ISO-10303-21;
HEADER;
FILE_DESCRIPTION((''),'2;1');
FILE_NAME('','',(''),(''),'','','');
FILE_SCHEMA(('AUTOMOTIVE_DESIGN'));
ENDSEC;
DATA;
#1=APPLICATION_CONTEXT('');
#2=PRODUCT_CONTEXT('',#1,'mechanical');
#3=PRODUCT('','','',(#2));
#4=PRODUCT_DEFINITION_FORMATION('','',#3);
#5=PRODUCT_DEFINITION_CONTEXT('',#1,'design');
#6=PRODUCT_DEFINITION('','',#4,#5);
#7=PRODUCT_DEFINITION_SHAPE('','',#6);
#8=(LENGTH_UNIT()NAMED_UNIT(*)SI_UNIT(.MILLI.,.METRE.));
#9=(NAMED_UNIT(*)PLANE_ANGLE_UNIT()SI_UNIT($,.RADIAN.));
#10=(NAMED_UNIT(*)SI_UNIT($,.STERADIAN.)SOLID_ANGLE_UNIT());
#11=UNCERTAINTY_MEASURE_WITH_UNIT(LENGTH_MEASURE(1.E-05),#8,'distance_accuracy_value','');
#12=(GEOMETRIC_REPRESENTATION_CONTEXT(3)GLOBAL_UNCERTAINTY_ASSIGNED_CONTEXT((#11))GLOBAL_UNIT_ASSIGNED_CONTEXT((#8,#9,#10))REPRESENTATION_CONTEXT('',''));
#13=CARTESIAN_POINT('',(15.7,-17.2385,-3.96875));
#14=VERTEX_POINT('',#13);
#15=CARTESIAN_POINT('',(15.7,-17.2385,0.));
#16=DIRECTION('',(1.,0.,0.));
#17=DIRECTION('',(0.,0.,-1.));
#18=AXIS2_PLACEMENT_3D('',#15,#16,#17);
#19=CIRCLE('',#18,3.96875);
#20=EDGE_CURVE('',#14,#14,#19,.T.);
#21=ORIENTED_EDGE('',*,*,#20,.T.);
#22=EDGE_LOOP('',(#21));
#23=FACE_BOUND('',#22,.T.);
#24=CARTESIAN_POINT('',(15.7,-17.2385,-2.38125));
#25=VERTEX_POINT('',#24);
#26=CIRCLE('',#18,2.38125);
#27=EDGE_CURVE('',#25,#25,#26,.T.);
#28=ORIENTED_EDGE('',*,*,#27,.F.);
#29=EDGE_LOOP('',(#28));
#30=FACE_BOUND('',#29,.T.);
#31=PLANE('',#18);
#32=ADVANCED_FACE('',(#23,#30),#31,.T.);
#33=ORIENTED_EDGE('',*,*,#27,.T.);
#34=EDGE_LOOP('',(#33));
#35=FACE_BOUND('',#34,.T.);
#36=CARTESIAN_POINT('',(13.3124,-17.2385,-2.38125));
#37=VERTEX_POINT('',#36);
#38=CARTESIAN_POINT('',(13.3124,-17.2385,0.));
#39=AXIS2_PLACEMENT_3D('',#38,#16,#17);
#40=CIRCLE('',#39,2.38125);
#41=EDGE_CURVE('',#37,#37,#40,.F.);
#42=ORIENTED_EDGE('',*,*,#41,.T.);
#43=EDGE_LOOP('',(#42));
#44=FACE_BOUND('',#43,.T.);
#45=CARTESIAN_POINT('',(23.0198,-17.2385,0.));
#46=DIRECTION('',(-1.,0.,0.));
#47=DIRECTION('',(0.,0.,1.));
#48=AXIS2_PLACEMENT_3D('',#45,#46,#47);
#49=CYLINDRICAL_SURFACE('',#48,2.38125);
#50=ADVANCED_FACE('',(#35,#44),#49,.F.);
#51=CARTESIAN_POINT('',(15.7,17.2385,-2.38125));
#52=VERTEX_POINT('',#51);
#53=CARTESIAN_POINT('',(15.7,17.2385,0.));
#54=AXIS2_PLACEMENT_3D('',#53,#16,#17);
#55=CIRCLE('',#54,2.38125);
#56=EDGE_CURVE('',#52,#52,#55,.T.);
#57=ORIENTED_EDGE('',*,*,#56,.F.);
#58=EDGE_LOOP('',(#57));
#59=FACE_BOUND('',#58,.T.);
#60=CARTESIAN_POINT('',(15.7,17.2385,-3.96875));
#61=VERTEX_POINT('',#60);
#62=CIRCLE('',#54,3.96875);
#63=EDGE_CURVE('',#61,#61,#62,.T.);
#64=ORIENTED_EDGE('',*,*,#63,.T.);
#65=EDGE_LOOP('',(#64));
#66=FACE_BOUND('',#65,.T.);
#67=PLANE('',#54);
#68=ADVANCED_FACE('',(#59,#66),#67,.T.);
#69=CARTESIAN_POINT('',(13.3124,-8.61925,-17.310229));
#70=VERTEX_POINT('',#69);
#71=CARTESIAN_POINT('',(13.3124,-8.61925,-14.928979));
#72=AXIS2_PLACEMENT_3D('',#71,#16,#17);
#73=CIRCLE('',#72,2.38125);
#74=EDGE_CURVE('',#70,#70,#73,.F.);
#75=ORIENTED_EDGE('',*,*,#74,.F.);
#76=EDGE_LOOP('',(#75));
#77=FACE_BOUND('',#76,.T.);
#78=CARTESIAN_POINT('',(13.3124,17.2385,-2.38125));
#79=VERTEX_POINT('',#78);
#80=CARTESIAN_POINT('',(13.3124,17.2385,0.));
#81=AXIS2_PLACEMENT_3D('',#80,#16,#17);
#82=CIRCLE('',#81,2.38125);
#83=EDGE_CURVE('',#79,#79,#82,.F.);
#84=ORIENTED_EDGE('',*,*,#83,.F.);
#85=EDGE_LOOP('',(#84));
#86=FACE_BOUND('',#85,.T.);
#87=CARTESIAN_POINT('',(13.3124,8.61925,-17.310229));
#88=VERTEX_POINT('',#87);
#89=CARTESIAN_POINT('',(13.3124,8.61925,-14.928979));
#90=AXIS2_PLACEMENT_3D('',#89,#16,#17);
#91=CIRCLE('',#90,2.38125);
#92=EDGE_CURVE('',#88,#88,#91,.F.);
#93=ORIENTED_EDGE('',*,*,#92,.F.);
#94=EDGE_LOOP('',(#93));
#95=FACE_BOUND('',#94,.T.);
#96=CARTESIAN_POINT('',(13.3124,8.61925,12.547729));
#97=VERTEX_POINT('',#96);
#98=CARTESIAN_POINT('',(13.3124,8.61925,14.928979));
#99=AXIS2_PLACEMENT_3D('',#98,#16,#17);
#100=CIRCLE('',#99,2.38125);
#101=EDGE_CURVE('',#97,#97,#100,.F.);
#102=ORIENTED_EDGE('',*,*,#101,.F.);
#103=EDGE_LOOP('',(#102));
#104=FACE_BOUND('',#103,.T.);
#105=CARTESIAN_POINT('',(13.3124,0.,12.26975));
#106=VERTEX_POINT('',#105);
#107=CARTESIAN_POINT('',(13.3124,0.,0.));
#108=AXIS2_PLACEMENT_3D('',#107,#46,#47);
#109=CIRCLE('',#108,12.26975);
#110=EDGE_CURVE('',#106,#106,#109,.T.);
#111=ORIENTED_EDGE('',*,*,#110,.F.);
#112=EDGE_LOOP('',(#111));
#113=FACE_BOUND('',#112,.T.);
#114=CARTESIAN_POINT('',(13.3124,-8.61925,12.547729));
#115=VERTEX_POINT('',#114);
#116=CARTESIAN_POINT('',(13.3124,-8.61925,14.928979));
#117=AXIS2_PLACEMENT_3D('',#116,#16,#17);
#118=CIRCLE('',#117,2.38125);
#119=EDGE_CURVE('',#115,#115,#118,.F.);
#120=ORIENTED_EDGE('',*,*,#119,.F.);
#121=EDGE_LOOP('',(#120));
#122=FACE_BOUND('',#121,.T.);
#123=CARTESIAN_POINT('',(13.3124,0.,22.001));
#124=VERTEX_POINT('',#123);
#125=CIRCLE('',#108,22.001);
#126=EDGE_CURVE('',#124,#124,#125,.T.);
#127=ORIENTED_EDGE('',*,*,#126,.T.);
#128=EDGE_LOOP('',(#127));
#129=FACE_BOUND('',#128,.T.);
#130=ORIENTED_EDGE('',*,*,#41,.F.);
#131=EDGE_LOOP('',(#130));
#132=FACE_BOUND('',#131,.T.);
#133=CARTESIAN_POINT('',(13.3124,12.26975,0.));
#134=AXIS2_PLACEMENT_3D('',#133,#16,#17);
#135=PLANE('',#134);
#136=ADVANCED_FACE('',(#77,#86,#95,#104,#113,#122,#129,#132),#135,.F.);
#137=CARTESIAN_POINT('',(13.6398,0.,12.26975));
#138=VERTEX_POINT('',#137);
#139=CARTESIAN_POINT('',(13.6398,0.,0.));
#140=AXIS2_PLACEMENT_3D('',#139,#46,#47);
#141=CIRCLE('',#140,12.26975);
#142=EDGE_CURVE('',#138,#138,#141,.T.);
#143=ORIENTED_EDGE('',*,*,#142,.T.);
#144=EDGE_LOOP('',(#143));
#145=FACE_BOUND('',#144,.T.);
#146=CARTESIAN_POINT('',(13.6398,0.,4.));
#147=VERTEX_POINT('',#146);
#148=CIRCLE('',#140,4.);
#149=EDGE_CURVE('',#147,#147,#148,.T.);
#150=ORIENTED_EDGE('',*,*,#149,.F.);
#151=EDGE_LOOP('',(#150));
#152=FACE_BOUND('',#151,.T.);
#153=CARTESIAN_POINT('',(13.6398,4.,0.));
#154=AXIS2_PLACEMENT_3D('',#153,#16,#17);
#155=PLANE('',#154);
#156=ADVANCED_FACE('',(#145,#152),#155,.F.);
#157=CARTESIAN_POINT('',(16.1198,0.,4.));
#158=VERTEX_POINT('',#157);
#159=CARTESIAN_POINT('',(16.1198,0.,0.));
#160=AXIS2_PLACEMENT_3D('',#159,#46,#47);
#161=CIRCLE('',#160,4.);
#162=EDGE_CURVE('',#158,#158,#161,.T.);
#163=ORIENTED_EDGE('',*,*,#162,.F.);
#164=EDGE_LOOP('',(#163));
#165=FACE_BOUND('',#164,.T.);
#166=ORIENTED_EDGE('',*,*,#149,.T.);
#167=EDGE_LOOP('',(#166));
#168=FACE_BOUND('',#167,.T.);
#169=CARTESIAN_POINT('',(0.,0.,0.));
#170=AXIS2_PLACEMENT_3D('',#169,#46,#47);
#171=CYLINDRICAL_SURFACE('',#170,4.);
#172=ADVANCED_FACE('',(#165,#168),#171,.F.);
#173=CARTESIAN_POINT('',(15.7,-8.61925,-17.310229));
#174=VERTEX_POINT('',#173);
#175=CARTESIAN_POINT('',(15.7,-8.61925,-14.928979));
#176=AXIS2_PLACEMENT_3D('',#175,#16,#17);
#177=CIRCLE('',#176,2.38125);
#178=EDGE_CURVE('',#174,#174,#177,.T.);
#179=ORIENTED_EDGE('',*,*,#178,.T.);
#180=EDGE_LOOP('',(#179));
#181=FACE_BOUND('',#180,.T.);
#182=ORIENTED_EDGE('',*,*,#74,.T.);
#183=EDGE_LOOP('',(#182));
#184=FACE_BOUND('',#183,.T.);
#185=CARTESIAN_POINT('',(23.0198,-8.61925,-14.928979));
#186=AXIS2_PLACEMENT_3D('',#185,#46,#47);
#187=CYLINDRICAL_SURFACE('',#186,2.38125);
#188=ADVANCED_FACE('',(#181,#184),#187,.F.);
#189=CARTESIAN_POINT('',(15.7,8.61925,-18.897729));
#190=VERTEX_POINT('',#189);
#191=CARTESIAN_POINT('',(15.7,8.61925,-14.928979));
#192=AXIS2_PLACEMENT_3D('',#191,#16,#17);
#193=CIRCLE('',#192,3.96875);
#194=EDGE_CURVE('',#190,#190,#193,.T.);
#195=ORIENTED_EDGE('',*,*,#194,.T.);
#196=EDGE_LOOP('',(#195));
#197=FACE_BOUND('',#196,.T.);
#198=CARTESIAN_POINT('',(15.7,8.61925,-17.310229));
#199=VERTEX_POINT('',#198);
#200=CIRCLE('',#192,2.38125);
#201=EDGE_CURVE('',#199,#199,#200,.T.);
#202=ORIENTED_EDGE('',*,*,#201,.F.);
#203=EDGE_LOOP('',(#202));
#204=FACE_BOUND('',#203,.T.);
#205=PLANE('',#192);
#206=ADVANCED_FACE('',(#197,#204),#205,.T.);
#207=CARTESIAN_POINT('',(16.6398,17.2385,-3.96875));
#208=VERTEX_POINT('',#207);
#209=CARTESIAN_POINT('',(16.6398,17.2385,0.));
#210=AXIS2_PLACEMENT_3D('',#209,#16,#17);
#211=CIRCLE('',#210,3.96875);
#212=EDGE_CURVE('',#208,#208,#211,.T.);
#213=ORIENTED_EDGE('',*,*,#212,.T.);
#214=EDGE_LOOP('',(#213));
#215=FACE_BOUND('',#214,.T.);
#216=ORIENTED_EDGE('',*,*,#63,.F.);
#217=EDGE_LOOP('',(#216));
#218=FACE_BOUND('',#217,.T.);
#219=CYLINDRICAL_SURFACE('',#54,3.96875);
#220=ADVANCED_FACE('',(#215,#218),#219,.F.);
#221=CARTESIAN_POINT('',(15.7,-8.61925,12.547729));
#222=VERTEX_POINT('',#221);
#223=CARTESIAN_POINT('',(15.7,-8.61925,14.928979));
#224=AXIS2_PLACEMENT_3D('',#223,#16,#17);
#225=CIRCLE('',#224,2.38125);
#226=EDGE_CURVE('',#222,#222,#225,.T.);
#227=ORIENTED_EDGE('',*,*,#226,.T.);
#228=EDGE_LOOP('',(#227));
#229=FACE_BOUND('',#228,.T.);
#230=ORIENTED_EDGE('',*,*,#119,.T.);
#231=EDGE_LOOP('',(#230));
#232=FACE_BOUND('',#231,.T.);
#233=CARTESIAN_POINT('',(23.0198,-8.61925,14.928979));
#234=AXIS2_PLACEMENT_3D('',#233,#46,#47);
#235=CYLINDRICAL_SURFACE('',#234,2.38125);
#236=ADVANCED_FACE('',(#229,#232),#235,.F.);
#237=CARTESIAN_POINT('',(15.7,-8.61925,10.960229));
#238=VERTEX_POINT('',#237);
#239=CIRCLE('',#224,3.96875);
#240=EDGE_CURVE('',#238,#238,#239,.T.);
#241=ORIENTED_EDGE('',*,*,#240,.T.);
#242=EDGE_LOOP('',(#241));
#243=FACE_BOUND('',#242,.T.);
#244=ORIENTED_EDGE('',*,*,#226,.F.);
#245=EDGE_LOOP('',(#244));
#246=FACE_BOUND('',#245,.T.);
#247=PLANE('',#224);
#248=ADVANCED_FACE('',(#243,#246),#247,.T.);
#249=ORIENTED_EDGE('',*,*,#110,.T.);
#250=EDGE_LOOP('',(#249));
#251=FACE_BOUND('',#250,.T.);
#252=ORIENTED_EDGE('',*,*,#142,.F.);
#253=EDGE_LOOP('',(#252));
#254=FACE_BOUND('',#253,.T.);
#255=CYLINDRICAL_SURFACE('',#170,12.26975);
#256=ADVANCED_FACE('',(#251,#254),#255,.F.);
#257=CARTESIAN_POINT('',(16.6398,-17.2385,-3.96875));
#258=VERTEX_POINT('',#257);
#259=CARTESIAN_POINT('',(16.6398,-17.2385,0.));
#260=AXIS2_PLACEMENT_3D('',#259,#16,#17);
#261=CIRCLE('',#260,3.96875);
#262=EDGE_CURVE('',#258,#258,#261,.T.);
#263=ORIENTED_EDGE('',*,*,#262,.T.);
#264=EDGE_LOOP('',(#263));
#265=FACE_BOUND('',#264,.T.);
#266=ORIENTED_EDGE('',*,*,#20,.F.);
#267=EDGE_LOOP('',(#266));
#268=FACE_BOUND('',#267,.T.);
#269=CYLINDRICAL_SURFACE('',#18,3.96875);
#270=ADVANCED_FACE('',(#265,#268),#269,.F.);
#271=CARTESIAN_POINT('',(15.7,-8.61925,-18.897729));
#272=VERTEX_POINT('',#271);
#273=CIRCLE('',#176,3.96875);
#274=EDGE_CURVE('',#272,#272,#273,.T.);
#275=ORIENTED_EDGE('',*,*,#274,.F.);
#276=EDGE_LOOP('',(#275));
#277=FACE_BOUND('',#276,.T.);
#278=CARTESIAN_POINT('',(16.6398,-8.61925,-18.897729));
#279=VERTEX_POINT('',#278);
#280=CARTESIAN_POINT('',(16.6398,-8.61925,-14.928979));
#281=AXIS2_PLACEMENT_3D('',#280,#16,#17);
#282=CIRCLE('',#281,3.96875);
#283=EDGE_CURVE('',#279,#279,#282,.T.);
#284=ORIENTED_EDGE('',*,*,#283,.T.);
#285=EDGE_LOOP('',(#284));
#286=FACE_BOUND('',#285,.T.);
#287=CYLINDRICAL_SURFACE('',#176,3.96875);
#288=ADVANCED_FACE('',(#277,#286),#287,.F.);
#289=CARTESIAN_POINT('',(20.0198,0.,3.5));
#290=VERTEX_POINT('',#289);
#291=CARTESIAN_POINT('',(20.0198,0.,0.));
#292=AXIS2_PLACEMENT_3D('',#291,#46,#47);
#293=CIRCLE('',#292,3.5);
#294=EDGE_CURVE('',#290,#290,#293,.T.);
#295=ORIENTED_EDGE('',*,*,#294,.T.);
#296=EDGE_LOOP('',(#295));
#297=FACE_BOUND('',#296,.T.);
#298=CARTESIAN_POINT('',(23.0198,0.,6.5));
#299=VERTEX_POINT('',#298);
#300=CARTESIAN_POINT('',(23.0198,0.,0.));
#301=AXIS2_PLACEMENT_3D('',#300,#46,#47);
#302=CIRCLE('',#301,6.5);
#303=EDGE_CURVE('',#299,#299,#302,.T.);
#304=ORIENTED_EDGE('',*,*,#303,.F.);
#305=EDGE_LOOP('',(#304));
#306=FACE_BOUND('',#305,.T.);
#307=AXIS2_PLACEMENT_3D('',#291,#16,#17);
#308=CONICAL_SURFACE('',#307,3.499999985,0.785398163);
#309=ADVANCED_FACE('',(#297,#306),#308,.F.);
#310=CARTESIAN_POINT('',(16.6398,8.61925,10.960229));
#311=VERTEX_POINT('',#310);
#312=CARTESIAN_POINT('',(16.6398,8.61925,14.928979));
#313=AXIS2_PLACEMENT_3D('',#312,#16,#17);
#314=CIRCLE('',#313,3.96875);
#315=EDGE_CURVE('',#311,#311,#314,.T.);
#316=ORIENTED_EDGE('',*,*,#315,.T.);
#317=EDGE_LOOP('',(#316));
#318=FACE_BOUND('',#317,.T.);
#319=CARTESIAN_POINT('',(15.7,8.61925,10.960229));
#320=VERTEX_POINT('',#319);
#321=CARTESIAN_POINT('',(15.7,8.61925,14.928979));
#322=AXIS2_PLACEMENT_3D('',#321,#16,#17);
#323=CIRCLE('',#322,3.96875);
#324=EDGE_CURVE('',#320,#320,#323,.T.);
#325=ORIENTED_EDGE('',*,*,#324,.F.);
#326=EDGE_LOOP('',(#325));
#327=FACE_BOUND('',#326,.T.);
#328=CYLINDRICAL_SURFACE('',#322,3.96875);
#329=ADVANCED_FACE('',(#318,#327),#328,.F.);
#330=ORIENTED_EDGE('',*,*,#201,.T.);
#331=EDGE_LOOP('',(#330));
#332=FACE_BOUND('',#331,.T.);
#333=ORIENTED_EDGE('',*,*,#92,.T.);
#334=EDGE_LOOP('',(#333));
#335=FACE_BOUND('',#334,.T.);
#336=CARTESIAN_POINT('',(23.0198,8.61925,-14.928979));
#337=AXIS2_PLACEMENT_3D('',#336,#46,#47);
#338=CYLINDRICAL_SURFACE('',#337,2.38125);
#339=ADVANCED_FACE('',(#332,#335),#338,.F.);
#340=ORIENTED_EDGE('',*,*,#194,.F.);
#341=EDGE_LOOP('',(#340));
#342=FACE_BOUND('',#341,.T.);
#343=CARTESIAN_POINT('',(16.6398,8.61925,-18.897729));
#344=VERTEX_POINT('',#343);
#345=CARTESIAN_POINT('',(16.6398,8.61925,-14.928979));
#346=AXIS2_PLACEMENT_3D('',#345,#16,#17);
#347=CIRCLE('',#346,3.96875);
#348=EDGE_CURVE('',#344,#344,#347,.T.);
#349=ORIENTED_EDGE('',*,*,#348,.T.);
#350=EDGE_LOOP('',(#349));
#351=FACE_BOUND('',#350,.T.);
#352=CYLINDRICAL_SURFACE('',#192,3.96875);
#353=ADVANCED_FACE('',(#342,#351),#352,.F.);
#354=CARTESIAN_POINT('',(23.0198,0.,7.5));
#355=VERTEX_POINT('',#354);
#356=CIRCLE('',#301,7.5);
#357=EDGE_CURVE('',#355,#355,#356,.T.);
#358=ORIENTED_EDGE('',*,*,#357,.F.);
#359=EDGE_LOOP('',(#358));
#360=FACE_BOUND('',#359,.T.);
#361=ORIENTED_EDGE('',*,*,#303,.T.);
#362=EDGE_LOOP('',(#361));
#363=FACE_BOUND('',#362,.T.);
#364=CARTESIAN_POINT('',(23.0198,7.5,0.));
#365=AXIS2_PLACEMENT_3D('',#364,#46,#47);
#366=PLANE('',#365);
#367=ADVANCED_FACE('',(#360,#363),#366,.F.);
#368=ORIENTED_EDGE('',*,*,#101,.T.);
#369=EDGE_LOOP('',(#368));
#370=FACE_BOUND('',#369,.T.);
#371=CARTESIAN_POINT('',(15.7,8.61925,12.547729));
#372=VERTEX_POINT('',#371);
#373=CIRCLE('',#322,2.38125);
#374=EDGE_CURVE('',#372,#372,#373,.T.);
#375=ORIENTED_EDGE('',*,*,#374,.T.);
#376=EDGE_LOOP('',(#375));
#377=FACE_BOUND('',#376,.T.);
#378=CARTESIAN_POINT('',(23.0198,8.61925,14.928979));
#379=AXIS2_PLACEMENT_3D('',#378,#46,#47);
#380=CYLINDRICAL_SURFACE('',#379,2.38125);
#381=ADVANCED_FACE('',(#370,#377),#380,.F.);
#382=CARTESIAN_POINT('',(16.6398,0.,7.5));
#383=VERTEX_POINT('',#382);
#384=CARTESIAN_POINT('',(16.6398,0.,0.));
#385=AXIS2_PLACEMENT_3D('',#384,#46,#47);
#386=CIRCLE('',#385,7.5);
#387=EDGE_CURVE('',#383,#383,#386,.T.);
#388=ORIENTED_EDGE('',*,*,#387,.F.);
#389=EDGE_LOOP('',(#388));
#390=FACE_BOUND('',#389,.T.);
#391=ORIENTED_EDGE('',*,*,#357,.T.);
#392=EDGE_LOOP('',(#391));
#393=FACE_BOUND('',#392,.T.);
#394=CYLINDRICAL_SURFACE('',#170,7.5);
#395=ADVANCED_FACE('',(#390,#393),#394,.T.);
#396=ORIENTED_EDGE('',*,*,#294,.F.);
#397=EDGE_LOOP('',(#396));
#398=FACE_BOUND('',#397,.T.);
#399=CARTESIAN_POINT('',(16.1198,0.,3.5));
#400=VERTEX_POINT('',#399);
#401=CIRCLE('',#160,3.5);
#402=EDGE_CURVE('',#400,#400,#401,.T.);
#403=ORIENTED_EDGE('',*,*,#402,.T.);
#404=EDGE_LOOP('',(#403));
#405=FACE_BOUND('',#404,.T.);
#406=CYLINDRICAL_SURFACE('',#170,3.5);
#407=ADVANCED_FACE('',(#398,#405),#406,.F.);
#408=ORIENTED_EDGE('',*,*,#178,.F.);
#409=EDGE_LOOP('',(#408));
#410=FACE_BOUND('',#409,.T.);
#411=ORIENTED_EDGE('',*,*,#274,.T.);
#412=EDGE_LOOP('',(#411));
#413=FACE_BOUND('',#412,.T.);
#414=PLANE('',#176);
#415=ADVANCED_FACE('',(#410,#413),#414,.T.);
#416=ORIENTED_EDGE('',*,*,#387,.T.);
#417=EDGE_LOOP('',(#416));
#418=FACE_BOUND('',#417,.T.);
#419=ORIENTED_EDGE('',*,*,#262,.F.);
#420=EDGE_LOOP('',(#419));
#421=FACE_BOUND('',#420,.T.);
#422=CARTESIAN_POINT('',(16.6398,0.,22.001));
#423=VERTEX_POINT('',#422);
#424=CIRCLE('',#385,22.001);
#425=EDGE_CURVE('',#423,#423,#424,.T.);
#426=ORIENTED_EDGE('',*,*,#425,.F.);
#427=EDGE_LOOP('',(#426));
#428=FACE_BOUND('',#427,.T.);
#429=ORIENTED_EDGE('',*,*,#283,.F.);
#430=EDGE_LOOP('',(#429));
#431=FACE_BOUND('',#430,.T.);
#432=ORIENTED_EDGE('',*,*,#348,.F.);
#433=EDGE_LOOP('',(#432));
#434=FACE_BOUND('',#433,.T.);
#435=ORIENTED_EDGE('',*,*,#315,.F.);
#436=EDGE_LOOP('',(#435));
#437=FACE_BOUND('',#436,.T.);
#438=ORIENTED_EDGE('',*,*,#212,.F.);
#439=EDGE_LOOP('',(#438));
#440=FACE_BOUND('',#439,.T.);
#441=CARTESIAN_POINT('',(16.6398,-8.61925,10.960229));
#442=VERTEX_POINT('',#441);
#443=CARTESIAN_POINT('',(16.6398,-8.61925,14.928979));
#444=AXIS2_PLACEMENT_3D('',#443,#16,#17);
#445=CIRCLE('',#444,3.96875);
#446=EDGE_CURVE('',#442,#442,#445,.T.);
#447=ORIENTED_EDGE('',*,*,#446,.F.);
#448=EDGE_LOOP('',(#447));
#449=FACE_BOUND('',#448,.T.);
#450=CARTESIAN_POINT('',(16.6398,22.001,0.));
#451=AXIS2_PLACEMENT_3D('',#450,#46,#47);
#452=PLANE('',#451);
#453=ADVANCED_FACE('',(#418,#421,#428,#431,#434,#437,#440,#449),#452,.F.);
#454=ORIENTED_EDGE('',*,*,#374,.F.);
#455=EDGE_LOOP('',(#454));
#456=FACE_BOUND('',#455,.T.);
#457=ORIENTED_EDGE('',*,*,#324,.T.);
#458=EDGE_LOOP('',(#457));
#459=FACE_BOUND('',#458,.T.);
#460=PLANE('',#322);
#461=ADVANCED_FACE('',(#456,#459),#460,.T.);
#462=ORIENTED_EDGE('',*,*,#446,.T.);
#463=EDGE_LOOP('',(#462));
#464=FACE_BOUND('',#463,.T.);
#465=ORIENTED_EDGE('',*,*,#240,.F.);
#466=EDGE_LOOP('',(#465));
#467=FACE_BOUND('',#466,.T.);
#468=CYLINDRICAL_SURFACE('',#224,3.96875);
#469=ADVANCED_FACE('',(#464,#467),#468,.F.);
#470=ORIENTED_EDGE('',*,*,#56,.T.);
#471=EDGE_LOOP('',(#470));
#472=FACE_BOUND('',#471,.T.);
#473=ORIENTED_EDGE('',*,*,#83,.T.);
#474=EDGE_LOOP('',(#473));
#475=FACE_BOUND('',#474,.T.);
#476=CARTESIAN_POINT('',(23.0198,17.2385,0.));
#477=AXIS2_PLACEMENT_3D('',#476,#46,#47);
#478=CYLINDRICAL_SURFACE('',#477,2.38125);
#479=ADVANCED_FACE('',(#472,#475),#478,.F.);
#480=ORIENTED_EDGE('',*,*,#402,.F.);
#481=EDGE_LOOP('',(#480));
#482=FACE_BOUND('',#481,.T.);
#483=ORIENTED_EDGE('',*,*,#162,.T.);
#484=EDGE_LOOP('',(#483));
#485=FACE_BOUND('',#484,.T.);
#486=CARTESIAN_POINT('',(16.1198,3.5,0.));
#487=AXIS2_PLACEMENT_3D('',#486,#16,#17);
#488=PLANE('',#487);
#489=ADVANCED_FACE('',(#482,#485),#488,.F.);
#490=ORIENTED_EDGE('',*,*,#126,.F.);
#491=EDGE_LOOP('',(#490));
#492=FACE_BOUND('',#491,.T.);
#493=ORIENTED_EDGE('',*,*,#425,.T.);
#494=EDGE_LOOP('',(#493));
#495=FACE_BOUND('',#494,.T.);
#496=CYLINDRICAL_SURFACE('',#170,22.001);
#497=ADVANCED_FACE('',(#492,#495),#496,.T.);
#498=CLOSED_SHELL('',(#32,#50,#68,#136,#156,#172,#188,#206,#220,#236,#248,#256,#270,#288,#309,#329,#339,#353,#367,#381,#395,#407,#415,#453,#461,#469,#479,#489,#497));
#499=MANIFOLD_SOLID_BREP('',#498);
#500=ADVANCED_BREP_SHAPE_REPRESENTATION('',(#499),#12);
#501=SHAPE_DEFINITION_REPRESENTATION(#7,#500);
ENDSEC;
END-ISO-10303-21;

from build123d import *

# Parameters (mm, degrees)
SKETCH5_R          = 2.38125
CUT_EXTRUDE1_DEPTH = 24.019799782
SKETCH6_R          = 3.96875
CUT_EXTRUDE2_DEPTH = 0.9398


with BuildPart() as part:
    # Sketch3 → Revolve1 (revolve)
    with BuildSketch(Plane.XY):
        Polygon((13.312399842, 22.00099994), (16.639799842, 22.00099994), (16.639799842, 7.499999986), (18.039799836, 7.499999986), (23.019799782, 7.499999986), (23.019799782, 6.499999954), (20.019799813, 3.499999985), (16.119799866, 3.499999985), (16.119799866, 4.000000001), (13.639799746, 4.000000001), (13.639799746, 12.269749908), (13.312399842, 12.269749908), align=None)
    revolve(axis=Axis((0, 0, 0), (1, 0, 0)))

    # Sketch5 → Cut-Extrude1 (cut, through all)
    with BuildSketch(Plane(origin=(0, 0, 0), x_dir=(0, 0, -1), z_dir=(1, 0, 0))):
        with Locations((-14.928978871, 8.61924997)):
            Circle(SKETCH5_R)
        with Locations((0, 17.23849994)):
            Circle(SKETCH5_R)
        with Locations((14.928978871, 8.61924997)):
            Circle(SKETCH5_R)
        with Locations((14.928978871, -8.61924997)):
            Circle(SKETCH5_R)
        with Locations((0, -17.23849994)):
            Circle(SKETCH5_R)
        with Locations((-14.928978871, -8.61924997)):
            Circle(SKETCH5_R)
    extrude(amount=CUT_EXTRUDE1_DEPTH, mode=Mode.SUBTRACT)

    # Sketch6 → Cut-Extrude2 (cut)
    with BuildSketch(Plane(origin=(16.639799842, 0, 0), x_dir=(0, 0, -1), z_dir=(1, 0, 0))):
        with Locations((0, 17.23849994)):
            Circle(SKETCH6_R)
        with Locations((14.928978871, 8.61924997)):
            Circle(SKETCH6_R)
        with Locations((14.928978871, -8.61924997)):
            Circle(SKETCH6_R)
        with Locations((0, -17.23849994)):
            Circle(SKETCH6_R)
        with Locations((-14.928978871, -8.61924997)):
            Circle(SKETCH6_R)
        with Locations((-14.928978871, 8.61924997)):
            Circle(SKETCH6_R)
    extrude(amount=-CUT_EXTRUDE2_DEPTH, mode=Mode.SUBTRACT)


solid = part.part
